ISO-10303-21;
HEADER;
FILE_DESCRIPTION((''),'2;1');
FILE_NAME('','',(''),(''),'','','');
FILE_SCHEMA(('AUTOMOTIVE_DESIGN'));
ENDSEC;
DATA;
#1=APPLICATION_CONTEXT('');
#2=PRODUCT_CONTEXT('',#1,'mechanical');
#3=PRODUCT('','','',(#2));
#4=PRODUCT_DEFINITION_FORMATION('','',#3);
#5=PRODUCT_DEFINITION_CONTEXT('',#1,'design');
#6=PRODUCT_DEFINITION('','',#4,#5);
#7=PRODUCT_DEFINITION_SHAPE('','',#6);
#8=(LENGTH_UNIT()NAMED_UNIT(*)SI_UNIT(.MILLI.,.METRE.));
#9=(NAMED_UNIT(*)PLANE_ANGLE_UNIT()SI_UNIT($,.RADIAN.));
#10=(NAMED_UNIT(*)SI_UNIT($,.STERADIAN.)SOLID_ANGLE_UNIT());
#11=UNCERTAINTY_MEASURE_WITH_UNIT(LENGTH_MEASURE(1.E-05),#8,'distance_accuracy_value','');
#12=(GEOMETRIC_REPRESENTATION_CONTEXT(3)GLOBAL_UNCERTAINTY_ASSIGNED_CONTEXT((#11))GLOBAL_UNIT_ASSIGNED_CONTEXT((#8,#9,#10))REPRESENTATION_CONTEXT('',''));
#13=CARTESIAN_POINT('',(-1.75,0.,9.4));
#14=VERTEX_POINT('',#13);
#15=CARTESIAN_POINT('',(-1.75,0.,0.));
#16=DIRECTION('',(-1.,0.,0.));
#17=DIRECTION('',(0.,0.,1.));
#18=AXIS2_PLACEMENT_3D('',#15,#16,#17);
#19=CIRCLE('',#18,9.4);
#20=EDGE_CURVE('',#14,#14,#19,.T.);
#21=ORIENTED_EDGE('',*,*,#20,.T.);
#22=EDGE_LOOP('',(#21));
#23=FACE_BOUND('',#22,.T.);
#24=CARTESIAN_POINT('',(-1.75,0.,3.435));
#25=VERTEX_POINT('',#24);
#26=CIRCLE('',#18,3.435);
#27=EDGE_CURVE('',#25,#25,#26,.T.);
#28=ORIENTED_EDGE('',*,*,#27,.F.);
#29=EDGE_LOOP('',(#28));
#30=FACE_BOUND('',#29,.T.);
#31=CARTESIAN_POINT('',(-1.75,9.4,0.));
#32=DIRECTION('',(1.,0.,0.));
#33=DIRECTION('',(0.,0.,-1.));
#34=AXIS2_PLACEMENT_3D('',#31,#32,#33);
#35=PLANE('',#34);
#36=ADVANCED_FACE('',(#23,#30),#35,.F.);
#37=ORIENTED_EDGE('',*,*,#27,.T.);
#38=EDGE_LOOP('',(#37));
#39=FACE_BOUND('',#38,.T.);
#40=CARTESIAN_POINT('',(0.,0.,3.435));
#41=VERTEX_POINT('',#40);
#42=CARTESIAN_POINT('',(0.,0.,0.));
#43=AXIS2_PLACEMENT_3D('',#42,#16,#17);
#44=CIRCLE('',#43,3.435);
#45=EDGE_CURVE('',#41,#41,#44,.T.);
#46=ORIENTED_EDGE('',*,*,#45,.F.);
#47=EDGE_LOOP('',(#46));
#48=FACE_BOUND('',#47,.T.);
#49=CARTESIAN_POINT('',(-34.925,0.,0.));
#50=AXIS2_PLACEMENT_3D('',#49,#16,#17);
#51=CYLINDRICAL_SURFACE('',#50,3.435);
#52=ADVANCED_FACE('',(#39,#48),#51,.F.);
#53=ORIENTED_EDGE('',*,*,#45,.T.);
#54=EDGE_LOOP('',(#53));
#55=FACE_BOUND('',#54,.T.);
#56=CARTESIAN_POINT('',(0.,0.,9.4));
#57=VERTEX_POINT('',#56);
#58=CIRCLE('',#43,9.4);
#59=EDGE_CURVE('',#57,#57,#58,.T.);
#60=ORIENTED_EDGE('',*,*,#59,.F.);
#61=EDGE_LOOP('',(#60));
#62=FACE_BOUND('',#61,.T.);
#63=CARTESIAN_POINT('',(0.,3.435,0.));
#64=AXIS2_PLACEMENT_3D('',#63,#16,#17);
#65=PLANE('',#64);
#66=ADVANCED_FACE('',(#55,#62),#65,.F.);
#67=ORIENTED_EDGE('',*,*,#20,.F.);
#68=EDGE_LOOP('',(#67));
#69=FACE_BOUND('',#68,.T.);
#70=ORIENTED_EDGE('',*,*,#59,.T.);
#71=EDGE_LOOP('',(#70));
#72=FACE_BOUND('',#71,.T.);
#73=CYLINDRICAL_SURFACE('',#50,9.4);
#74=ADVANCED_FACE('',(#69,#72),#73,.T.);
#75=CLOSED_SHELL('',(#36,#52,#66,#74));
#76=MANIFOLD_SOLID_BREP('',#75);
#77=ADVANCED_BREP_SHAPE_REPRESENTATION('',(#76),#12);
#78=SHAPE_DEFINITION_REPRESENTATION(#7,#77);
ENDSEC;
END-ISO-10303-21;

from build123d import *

# Parameters (mm, degrees)
SKETCH1_W = 1.75
SKETCH1_H = 5.965


with BuildPart() as part:
    # Sketch1 → Base-Revolve (revolve)
    with BuildSketch(Plane.XY):
        with Locations((-0.875, 6.4175)):
            Rectangle(SKETCH1_W, SKETCH1_H)
    revolve(axis=Axis((-34.925, 0, 0), (1, 0, 0)))


solid = part.part
